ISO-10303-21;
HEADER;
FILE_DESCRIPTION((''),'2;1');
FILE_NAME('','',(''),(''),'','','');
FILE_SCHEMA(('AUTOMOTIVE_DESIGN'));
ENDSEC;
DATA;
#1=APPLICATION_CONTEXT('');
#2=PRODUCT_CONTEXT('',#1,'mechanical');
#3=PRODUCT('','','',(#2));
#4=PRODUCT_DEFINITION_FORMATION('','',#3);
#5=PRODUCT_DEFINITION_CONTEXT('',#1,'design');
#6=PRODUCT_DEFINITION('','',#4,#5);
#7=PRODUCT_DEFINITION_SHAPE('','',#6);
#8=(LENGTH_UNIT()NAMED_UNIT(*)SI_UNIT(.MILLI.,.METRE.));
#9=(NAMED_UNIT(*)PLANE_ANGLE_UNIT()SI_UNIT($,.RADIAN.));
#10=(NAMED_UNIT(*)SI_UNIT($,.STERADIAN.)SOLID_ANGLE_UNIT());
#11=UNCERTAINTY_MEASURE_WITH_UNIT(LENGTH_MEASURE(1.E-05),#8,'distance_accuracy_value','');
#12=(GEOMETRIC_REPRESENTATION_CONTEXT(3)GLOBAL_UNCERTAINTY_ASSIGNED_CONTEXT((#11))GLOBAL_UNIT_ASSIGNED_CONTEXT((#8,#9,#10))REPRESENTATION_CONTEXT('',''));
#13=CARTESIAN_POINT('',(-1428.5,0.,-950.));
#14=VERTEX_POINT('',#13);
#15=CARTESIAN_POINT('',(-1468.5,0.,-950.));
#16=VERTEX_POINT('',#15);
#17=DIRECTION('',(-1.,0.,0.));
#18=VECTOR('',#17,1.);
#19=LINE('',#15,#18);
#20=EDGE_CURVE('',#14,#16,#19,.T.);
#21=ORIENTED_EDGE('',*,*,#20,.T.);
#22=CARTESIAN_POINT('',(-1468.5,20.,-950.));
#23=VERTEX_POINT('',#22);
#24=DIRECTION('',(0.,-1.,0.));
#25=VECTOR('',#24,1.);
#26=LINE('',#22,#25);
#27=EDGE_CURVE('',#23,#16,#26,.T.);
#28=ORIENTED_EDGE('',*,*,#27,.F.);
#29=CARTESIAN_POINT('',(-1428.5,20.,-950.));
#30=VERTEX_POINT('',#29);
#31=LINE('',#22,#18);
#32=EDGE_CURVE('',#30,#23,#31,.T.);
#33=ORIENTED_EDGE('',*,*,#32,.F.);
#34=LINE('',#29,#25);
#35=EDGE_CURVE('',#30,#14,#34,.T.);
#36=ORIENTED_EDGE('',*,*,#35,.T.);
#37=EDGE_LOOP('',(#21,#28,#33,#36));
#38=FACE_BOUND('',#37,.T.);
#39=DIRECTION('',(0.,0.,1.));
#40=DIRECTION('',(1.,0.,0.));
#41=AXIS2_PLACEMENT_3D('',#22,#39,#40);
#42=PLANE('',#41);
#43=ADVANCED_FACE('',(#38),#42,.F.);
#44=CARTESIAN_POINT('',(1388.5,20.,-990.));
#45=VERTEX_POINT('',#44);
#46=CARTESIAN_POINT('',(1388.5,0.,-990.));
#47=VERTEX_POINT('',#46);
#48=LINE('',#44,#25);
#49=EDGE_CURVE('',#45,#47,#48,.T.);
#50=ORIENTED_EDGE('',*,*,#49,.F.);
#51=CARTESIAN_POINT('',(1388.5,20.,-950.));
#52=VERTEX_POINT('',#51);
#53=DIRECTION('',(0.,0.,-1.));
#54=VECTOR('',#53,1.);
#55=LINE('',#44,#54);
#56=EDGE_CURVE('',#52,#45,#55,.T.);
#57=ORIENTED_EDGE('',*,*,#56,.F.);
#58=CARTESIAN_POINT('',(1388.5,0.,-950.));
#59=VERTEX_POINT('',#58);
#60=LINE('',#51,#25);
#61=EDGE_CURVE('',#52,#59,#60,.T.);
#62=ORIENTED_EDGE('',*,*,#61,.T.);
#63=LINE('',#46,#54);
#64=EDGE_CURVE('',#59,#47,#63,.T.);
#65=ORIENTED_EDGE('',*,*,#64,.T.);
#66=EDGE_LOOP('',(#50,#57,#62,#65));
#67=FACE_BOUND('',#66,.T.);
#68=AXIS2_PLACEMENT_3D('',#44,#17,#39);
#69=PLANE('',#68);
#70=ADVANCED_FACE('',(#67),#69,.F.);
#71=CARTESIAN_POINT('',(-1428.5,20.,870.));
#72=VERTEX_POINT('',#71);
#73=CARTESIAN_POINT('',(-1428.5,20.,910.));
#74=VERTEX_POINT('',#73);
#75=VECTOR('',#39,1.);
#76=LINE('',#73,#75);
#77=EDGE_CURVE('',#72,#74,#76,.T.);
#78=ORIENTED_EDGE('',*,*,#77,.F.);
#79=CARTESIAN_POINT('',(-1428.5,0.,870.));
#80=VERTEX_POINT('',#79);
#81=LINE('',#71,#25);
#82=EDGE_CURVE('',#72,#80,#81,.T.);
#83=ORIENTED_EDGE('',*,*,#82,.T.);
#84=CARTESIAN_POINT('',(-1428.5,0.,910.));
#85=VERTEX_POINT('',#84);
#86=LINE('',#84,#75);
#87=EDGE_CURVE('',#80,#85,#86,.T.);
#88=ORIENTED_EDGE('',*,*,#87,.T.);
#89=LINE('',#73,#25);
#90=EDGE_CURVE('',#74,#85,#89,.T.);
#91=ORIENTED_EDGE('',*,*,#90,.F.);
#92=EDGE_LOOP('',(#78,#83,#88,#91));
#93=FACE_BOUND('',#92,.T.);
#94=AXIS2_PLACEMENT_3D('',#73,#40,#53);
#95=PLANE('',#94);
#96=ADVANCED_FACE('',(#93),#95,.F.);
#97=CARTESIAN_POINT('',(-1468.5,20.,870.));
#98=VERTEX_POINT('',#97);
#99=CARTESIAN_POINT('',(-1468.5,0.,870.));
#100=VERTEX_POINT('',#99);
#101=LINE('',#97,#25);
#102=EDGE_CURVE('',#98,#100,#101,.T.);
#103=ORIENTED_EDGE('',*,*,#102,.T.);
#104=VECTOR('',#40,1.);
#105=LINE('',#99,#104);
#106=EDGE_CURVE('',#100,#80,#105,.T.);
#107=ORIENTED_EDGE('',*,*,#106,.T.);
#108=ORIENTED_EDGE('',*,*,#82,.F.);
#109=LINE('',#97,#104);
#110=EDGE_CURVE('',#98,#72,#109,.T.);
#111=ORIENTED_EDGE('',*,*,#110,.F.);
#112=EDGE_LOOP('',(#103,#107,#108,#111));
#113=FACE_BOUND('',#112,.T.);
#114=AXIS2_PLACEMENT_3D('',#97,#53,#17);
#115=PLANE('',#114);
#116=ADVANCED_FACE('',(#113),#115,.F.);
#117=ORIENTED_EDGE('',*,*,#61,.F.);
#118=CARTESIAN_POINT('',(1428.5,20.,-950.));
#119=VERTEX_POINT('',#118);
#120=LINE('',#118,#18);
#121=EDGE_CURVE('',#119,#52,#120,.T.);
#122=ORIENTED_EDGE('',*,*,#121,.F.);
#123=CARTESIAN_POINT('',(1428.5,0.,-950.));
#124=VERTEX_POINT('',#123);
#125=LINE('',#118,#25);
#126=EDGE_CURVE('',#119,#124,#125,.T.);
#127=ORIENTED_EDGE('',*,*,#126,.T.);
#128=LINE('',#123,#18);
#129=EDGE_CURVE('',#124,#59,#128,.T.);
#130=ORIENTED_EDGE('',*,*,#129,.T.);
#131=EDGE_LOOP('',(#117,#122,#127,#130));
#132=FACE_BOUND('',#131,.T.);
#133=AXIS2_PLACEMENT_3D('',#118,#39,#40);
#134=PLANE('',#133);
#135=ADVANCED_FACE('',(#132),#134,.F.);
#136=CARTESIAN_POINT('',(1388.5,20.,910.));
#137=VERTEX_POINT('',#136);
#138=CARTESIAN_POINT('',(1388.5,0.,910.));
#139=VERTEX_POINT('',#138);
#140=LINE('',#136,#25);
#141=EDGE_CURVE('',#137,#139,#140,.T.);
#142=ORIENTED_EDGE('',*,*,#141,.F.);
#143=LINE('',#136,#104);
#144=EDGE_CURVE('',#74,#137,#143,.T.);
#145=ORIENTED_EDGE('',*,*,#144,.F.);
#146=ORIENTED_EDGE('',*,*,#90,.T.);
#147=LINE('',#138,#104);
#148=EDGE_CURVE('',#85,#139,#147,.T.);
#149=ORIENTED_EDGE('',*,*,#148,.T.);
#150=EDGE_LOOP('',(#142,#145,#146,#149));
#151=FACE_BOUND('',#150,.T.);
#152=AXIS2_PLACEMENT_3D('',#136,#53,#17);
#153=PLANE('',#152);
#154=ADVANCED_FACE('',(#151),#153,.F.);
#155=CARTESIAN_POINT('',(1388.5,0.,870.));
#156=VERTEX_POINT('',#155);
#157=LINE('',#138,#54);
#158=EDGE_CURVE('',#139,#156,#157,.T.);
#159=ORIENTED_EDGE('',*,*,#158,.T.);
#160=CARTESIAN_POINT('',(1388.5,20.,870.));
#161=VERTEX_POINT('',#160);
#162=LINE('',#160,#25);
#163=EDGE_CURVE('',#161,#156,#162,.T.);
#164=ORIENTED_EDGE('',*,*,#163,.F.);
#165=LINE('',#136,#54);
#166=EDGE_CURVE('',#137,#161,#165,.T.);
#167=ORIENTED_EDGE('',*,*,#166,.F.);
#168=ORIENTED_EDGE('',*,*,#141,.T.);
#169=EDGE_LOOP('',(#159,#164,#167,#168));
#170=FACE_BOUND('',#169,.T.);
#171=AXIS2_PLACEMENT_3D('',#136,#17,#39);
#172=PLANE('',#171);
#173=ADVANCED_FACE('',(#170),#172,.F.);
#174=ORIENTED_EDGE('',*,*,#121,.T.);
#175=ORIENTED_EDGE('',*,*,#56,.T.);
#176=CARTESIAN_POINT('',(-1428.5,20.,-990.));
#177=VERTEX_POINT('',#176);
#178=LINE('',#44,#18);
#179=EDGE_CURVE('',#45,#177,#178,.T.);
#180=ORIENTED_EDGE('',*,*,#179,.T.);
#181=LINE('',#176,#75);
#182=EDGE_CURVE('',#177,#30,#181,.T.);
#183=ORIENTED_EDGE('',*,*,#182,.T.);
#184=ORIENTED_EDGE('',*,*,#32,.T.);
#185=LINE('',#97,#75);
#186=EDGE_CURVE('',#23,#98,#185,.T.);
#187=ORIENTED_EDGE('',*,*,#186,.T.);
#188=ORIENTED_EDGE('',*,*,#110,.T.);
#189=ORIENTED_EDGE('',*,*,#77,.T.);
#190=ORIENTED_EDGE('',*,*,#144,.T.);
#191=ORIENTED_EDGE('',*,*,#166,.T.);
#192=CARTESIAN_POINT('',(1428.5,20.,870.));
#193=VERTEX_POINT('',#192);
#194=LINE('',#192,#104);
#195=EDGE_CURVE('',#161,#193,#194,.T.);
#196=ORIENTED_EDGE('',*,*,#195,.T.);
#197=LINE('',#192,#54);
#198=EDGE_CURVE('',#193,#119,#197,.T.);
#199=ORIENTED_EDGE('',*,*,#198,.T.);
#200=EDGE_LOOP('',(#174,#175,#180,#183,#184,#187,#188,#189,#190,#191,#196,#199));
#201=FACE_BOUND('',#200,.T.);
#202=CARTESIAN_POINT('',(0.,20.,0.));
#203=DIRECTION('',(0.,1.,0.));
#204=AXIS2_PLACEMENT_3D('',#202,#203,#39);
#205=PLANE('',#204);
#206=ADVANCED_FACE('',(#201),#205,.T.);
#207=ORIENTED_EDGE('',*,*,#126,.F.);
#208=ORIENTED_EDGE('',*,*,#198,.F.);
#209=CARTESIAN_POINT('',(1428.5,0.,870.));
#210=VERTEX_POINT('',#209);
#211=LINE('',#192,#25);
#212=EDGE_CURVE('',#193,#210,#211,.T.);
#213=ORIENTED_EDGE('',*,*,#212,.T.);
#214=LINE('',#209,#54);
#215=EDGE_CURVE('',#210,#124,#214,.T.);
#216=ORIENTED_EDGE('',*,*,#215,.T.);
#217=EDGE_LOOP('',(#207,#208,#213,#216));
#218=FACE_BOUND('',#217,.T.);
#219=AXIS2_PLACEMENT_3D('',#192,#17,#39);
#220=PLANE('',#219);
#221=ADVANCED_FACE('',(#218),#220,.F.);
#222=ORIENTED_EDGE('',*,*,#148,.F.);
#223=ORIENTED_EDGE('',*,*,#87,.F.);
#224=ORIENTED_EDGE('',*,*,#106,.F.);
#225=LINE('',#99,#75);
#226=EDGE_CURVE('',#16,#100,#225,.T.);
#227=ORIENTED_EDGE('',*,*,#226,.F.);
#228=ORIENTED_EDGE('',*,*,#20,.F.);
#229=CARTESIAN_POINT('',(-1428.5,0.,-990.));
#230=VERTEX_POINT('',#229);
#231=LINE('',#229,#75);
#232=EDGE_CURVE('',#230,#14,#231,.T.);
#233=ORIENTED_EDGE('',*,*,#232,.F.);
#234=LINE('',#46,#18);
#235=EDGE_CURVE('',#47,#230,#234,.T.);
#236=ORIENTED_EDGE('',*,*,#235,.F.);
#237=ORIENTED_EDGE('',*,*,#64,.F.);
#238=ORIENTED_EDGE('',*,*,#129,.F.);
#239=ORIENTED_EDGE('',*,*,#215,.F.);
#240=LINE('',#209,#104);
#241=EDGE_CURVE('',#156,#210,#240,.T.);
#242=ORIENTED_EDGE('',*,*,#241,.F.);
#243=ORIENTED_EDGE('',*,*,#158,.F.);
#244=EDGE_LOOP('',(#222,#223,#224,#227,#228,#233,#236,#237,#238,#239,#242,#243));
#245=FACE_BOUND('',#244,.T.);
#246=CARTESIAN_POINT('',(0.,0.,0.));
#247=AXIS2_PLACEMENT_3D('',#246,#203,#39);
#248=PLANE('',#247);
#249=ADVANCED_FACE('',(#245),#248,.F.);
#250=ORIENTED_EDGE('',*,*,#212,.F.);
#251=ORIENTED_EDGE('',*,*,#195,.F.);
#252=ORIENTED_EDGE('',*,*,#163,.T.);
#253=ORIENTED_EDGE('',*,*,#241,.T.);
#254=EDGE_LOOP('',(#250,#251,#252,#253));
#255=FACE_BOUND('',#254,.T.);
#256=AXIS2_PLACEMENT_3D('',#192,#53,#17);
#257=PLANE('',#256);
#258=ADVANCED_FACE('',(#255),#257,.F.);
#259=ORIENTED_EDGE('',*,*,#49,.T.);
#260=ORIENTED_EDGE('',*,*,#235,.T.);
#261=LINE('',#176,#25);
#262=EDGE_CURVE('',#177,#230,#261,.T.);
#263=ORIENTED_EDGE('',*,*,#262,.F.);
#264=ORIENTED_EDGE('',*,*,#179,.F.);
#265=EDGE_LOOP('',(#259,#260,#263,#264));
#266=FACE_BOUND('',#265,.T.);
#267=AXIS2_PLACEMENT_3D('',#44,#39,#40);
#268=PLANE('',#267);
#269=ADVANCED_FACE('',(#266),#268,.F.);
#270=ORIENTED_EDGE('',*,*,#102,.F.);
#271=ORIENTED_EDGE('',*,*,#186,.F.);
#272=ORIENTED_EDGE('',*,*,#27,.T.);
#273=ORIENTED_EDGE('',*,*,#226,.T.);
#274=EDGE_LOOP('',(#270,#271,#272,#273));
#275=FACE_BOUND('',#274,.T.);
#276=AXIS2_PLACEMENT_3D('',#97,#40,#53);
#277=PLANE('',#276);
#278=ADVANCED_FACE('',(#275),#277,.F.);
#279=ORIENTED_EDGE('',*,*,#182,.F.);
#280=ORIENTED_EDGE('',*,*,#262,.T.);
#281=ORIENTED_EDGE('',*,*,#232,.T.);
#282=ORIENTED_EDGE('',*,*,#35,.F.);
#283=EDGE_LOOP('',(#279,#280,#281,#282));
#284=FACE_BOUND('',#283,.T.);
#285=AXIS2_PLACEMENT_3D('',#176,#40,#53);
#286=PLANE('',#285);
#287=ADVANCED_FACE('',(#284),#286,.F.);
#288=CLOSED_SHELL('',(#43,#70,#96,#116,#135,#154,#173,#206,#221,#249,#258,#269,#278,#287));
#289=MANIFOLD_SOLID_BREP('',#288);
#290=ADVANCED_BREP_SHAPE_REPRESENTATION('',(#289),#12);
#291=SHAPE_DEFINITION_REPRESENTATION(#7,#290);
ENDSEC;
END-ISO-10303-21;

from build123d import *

# Parameters (mm, degrees)
ESTRUSIONE_ESTRUSIONE1_DEPTH = 20


with BuildPart() as part:
    # Schizzo1 → Estrusione-Estrusione1 (new body)
    with BuildSketch(Plane(origin=(0, 0, 0), x_dir=(1, 0, 0), z_dir=(0, 1, 0))):
        Polygon((1388.5, -910), (-1428.5, -910), (-1428.5, -870), (-1468.5, -870), (-1468.5, 950), (-1428.5, 950), (-1428.5, 990), (1388.5, 990), (1388.5, 950), (1428.5, 950), (1428.5, -870), (1388.5, -870), align=None)
    extrude(amount=ESTRUSIONE_ESTRUSIONE1_DEPTH)


solid = part.part
